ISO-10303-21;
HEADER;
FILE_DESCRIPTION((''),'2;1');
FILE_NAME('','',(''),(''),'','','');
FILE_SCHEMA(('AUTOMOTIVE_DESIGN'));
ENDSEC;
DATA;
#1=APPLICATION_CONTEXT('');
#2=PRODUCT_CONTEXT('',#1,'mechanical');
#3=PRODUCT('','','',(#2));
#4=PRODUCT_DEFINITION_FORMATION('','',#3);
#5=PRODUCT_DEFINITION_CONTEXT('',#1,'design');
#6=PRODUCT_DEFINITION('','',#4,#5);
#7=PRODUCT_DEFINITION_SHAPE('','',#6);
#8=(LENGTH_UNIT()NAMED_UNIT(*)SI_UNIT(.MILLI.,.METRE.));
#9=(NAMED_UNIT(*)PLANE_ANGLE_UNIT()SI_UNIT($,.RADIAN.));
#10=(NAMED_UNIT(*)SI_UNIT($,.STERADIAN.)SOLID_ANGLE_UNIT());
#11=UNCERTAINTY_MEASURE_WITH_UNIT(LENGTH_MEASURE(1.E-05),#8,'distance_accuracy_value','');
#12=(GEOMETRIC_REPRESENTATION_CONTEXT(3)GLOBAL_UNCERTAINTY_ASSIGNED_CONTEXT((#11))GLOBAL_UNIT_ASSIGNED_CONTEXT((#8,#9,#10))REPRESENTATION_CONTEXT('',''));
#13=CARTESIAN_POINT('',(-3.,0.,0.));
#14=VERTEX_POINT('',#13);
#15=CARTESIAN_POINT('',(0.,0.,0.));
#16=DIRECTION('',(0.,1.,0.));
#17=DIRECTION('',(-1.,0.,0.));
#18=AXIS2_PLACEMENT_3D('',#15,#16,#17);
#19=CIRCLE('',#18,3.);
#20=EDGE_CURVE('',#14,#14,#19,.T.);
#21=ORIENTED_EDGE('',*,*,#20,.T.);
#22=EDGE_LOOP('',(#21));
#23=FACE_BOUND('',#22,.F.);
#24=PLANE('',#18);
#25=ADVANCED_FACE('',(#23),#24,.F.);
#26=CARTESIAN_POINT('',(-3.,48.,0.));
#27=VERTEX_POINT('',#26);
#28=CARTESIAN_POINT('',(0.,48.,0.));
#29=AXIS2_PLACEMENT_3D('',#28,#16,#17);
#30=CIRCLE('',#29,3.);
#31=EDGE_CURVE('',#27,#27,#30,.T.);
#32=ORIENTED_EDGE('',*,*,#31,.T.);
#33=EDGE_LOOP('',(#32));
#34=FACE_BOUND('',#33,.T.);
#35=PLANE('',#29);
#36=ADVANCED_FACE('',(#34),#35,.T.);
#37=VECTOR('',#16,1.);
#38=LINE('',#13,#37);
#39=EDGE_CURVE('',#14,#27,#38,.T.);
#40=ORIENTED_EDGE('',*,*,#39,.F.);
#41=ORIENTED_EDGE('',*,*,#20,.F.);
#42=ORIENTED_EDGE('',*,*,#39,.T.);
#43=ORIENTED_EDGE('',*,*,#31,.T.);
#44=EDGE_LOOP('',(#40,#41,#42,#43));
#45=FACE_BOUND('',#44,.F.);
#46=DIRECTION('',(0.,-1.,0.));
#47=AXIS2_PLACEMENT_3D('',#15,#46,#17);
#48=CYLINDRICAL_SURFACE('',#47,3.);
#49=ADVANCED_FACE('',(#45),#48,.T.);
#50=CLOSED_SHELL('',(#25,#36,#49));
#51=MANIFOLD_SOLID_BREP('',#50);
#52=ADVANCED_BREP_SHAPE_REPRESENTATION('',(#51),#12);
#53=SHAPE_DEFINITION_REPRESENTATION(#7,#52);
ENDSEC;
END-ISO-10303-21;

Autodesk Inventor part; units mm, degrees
ref_plane "YZ Plane" through (0, 0, 0) normal (1, 0, 0) x (0, 1, 0)
ref_plane "XZ Plane" through (0, 0, 0) normal (0, 1, 0) x (-1, 0, 0)
ref_plane "XY Plane" through (0, 0, 0) normal (0, 0, 1) x (1, 0, 0)
sketch "Skizze1" plane through (0, 0, 0) normal (0, 1, 0) x (-1, 0, 0)
  circle A0 centre (0, 0) radius 3
  dimension "d0" = 6
extrude "Extrusion1" add sketch "Skizze1" along normal blind 48
properties part number "18,1"
